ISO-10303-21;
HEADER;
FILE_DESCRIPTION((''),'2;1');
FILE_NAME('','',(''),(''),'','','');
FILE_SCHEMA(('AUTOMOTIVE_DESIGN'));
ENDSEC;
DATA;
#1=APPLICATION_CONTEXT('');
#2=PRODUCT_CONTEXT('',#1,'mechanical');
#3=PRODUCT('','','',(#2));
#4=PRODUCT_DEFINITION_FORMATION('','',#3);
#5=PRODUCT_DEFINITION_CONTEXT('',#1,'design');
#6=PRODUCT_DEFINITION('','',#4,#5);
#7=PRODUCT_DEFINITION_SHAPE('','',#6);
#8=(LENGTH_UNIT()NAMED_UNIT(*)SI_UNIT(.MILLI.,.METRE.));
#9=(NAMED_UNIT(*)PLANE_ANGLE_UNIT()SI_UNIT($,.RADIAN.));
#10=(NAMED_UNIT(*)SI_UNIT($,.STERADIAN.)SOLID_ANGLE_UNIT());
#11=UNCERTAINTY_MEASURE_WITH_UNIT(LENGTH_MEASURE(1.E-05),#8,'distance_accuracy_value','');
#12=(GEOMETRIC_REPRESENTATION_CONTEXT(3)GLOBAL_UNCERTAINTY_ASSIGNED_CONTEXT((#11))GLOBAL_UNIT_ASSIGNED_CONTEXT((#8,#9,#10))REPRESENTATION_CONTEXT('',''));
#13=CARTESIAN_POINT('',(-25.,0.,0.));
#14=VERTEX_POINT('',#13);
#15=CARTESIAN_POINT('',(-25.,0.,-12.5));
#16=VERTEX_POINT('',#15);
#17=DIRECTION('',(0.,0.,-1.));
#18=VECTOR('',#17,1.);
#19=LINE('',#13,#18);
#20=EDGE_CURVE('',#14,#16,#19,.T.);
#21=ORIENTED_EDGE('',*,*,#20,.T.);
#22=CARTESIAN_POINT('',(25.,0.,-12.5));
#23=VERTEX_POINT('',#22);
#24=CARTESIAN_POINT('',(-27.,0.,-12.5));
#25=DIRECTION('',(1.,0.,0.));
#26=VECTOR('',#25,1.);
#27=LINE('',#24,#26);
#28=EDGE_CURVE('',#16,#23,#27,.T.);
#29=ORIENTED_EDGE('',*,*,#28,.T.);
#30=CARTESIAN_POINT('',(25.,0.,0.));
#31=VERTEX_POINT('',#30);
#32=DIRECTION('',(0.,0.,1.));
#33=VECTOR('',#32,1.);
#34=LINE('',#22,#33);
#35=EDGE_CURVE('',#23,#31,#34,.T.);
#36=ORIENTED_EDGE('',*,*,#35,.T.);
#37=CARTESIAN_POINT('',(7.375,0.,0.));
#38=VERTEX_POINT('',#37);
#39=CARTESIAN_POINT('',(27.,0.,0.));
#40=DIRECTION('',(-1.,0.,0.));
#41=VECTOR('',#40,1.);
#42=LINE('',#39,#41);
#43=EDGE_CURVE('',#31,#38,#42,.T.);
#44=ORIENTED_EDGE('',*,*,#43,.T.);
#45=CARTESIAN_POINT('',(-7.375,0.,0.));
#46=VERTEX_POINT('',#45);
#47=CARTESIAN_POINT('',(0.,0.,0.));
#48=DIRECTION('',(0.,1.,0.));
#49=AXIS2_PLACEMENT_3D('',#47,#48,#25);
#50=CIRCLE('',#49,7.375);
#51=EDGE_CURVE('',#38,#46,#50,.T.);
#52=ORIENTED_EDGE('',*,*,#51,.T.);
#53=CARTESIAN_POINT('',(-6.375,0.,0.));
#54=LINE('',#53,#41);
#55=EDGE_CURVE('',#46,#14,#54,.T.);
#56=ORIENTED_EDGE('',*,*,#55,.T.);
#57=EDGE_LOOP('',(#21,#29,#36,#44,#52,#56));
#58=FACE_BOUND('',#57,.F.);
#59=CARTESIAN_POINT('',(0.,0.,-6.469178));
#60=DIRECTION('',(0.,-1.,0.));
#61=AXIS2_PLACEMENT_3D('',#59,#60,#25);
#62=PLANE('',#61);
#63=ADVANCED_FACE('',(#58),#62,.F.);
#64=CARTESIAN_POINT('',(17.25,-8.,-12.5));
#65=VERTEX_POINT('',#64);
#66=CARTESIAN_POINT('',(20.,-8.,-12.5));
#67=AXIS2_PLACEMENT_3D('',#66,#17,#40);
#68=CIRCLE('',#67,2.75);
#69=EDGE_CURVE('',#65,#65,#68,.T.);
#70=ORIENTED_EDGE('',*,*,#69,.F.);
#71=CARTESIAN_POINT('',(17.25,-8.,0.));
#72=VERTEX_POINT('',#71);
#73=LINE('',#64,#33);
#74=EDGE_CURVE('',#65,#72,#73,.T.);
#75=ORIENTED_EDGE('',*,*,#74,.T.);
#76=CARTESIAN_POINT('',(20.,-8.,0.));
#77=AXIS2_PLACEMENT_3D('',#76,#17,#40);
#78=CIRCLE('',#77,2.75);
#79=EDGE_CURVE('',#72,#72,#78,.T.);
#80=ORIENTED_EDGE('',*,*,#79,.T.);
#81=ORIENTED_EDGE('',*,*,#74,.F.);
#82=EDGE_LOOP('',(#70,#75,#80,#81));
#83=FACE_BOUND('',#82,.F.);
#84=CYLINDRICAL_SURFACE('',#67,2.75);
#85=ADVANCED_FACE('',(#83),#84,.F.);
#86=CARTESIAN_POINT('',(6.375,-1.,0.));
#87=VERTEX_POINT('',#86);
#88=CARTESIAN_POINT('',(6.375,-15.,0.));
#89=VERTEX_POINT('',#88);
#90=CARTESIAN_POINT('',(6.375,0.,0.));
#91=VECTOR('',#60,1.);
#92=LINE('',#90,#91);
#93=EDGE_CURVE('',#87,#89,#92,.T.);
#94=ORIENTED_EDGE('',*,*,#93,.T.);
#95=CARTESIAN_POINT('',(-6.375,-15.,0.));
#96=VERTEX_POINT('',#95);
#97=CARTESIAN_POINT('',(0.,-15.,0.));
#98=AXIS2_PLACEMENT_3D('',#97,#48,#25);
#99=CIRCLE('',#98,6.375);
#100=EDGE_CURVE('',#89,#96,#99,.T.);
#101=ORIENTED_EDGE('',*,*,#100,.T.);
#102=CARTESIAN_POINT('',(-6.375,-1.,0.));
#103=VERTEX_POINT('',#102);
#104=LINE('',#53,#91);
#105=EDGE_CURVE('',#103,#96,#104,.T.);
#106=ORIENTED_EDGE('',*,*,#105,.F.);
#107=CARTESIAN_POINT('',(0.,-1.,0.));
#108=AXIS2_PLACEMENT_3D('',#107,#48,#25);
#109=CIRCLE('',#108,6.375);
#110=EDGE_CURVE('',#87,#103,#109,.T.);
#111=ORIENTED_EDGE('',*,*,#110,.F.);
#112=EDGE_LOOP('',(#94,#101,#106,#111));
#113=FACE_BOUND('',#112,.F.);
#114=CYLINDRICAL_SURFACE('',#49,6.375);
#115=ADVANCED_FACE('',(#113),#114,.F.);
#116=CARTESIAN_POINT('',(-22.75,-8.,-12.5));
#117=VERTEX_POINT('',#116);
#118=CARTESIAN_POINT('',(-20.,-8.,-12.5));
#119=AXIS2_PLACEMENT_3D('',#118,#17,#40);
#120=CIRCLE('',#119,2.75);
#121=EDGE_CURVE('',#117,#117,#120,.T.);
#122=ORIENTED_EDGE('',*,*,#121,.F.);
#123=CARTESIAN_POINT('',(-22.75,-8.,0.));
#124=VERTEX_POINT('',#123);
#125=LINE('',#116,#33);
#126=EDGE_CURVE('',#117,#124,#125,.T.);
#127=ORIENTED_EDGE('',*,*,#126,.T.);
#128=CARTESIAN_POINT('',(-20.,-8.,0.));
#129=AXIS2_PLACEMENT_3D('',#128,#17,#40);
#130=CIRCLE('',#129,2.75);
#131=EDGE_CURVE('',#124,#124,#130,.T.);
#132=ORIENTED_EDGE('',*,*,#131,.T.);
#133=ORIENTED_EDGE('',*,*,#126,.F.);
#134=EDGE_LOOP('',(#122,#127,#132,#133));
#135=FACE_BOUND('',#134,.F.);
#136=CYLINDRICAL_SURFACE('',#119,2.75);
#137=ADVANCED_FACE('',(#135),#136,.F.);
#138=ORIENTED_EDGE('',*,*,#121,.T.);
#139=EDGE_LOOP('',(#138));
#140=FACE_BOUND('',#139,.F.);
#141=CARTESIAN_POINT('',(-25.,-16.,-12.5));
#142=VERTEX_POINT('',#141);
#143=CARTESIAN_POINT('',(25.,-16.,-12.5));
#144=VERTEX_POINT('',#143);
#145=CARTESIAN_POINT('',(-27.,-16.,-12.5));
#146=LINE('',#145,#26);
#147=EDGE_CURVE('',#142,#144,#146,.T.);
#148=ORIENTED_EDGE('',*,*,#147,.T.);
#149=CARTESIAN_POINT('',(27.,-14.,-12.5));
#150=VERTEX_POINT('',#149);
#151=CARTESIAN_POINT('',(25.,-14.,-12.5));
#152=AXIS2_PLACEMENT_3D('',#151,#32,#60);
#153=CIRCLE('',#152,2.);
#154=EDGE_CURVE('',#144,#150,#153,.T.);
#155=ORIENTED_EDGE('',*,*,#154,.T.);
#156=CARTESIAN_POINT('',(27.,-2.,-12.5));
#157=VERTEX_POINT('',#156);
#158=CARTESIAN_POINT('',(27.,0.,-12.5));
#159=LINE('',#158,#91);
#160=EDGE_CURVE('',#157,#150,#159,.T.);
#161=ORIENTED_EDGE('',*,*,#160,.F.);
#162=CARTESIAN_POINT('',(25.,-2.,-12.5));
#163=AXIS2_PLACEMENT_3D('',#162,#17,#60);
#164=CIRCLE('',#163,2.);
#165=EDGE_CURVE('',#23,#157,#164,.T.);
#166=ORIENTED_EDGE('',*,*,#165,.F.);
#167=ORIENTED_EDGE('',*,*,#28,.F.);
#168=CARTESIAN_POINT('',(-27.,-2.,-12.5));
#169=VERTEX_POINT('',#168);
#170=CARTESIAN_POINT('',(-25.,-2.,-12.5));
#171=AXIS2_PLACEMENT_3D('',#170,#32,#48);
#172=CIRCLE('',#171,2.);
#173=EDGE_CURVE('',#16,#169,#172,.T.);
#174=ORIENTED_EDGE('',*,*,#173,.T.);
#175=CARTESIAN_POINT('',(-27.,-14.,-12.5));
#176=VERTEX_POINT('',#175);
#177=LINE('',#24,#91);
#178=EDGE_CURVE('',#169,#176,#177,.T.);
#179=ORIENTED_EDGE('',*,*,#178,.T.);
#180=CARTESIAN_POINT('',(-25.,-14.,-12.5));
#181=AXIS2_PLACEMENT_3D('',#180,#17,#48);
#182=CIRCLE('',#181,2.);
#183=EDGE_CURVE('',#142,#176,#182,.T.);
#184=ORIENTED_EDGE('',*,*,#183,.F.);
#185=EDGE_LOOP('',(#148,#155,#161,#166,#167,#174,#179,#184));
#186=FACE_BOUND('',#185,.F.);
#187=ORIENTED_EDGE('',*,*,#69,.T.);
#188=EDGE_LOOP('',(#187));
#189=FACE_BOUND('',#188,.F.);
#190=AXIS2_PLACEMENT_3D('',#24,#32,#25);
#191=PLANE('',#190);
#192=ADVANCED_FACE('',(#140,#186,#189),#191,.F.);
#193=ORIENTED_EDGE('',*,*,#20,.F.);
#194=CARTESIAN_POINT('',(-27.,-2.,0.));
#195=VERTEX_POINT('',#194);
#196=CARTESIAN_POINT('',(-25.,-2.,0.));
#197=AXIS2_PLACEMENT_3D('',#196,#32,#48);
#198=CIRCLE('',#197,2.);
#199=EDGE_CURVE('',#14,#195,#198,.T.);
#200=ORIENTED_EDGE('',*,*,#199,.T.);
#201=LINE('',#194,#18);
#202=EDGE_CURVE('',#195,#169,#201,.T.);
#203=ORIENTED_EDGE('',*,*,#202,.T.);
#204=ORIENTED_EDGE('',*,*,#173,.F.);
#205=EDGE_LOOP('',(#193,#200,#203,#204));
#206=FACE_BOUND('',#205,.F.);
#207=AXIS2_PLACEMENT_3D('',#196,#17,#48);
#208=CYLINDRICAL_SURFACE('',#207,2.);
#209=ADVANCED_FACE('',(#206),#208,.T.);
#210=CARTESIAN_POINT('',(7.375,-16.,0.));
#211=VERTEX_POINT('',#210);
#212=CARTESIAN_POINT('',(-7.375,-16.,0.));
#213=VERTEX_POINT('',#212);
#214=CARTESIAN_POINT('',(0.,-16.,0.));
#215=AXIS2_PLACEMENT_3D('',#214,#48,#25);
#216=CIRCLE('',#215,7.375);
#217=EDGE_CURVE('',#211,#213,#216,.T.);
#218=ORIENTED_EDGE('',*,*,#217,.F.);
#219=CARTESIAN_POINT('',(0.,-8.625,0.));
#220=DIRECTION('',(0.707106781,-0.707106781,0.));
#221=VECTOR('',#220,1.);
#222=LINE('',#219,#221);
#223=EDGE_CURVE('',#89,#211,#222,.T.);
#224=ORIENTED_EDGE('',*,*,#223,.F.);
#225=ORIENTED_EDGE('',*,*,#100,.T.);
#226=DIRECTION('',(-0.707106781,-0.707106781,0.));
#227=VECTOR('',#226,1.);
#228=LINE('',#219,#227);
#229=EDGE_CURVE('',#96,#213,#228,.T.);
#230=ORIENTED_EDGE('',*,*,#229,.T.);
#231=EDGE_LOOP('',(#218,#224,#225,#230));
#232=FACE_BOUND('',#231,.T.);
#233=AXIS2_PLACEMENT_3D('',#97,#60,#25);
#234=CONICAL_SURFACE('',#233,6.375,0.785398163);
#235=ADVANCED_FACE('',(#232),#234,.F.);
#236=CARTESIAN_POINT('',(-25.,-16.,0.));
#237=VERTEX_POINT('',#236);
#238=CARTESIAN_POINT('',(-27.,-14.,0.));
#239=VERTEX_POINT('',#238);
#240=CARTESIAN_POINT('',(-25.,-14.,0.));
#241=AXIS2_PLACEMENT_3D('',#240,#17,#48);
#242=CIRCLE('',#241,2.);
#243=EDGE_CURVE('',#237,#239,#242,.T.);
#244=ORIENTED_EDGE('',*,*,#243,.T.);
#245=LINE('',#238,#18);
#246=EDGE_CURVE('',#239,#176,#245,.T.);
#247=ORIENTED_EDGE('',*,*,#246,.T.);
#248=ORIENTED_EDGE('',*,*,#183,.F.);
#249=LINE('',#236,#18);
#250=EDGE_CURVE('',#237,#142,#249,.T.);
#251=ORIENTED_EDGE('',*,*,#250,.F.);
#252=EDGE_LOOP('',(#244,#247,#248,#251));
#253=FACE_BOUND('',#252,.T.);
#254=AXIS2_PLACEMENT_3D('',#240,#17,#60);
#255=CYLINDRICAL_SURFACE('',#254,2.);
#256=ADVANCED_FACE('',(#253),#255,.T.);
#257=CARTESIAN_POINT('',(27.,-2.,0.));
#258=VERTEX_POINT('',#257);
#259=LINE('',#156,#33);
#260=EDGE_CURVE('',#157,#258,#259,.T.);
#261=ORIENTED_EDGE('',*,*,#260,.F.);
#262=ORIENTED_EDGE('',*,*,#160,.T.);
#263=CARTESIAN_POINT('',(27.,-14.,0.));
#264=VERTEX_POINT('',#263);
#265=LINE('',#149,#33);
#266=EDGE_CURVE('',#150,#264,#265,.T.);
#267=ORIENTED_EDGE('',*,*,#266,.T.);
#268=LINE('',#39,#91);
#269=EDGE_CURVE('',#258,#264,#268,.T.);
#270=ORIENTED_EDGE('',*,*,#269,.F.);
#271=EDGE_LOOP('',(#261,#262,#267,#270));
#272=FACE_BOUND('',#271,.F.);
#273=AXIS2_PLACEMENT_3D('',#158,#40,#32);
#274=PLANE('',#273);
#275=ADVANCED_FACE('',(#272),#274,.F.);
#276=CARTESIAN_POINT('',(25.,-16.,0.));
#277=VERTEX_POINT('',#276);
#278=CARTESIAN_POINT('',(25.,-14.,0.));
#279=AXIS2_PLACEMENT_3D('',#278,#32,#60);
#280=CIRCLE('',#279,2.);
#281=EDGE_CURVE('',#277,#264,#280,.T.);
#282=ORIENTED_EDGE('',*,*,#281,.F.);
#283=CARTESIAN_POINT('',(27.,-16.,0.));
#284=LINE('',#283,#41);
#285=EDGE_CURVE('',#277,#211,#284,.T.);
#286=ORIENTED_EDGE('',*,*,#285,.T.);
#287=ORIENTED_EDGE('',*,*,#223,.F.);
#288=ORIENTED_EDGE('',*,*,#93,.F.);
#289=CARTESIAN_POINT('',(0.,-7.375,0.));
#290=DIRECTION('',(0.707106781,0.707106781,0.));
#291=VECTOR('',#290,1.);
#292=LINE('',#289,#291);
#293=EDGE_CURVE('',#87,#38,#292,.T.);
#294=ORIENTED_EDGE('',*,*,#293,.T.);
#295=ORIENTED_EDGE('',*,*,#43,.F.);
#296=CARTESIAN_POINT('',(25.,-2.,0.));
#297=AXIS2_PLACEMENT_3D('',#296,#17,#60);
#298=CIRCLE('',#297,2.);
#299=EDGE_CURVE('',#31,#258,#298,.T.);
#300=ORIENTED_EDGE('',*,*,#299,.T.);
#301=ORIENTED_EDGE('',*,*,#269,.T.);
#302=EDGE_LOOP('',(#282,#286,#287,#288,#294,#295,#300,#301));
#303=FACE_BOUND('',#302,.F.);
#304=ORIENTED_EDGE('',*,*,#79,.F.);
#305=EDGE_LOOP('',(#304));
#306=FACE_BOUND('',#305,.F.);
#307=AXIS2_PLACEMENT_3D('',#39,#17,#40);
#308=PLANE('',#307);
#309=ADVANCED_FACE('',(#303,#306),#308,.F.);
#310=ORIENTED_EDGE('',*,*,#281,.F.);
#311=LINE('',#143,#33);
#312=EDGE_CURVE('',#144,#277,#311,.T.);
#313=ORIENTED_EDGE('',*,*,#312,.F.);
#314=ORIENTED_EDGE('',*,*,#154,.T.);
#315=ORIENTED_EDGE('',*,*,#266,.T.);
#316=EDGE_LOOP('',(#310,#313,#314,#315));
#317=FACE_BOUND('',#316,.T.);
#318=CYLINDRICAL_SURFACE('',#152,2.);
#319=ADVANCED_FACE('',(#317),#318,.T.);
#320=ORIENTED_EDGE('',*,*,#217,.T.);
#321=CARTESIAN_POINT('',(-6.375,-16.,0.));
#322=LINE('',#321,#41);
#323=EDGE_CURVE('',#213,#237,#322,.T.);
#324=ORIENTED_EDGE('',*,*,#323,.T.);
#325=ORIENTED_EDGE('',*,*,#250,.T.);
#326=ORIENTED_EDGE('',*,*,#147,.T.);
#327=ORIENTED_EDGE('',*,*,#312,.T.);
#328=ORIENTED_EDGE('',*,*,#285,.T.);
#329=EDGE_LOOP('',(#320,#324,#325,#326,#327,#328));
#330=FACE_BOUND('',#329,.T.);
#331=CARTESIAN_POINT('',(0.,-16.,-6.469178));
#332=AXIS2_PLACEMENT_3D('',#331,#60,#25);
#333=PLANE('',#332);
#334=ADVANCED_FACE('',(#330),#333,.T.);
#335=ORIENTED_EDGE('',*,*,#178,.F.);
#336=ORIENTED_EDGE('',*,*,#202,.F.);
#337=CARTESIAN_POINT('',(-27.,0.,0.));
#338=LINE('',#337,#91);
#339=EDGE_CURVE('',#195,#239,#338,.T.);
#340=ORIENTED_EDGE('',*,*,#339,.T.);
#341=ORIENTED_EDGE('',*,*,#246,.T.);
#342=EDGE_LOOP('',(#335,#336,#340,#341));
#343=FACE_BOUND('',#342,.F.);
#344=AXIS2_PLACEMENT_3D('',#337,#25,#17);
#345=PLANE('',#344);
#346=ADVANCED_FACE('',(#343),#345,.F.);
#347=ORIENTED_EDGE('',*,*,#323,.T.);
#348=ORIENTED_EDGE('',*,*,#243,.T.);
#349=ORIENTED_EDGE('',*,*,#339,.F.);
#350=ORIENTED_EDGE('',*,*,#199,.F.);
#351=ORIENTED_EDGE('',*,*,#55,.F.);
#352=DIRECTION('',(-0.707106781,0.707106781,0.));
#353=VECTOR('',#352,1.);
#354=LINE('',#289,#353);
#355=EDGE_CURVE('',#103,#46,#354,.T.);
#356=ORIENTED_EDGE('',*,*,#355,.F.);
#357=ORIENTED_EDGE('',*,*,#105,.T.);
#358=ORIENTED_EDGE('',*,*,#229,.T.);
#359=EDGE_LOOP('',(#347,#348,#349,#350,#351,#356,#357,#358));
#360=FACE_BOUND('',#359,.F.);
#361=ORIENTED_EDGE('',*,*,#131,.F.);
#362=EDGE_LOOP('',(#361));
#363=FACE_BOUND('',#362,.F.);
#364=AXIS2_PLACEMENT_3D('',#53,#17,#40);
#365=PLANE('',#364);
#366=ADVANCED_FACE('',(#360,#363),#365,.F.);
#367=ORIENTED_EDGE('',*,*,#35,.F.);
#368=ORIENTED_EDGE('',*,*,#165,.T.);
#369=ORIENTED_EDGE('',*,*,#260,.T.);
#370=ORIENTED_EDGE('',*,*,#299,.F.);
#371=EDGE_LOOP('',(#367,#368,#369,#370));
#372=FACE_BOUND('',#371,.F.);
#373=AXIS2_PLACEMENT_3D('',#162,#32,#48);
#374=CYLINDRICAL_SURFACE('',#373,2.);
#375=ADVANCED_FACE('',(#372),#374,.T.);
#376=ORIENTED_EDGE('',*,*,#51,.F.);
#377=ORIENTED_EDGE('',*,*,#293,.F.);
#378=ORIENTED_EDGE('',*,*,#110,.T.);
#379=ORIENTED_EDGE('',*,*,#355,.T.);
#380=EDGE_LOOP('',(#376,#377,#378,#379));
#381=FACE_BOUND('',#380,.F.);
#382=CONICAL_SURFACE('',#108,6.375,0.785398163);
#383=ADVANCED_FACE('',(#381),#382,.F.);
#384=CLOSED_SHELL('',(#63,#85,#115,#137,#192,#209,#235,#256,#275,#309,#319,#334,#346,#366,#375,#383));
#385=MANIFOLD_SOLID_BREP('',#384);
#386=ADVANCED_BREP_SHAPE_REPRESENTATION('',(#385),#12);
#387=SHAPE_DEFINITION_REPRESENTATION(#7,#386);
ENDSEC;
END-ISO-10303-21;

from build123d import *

# Parameters (mm, degrees)
F1_DEPTH = 16
F3_DEPTH = 12.501
F4_SIZE  = 1
F5_R     = 2


with BuildPart() as f1:
    # F0 (on Front) → F1 (new body)
    with BuildSketch(Plane.XZ):
        with BuildLine():
            Line((-6.375, 0), (-27, 0))
            Line((-27, 0), (-27, -12.5))
            Line((-27, -12.5), (27, -12.5))
            Line((27, -12.5), (27, 0))
            Line((27, 0), (6.375, 0))
            ThreePointArc((6.375, 0), (0, -6.375), (-6.375, 0))
        make_face()
    extrude(amount=F1_DEPTH)

    # F2 (on face) → F3 (cut, through all)
    with BuildSketch(Plane(origin=(0, 0, -12.5), x_dir=(1, 0, 0), z_dir=(0, 0, -1))):
        with BuildLine():
            Line((-22.75, 8), (-17.25, 8))
            ThreePointArc((-17.25, 8), (-20, 10.75), (-22.75, 8))
        make_face()
        with BuildLine():
            ThreePointArc((-22.75, 8), (-20, 5.25), (-17.25, 8))
            Line((-17.25, 8), (-22.75, 8))
        make_face()
        with BuildLine():
            ThreePointArc((22.75, 8), (20, 10.75), (17.25, 8))
            Line((17.25, 8), (22.75, 8))
        make_face()
        with BuildLine():
            Line((22.75, 8), (17.25, 8))
            ThreePointArc((17.25, 8), (20, 5.25), (22.75, 8))
        make_face()
    extrude(amount=-F3_DEPTH, mode=Mode.SUBTRACT)

    # F4
    f4_edges = [f1.edges().sort_by_distance(p)[0] for p in [
        (0, -16, -6.375),
        (0, 0, -6.375),
    ]]
    chamfer(f4_edges, length=F4_SIZE)

    # F5
    f5_edges = [f1.edges().sort_by_distance(p)[0] for p in [
        (-27, -16, -6.25),
        (27, -16, -6.25),
        (27, 0, -6.25),
        (-27, 0, -6.25),
    ]]
    fillet(f5_edges, radius=F5_R)


solid = f1.part
